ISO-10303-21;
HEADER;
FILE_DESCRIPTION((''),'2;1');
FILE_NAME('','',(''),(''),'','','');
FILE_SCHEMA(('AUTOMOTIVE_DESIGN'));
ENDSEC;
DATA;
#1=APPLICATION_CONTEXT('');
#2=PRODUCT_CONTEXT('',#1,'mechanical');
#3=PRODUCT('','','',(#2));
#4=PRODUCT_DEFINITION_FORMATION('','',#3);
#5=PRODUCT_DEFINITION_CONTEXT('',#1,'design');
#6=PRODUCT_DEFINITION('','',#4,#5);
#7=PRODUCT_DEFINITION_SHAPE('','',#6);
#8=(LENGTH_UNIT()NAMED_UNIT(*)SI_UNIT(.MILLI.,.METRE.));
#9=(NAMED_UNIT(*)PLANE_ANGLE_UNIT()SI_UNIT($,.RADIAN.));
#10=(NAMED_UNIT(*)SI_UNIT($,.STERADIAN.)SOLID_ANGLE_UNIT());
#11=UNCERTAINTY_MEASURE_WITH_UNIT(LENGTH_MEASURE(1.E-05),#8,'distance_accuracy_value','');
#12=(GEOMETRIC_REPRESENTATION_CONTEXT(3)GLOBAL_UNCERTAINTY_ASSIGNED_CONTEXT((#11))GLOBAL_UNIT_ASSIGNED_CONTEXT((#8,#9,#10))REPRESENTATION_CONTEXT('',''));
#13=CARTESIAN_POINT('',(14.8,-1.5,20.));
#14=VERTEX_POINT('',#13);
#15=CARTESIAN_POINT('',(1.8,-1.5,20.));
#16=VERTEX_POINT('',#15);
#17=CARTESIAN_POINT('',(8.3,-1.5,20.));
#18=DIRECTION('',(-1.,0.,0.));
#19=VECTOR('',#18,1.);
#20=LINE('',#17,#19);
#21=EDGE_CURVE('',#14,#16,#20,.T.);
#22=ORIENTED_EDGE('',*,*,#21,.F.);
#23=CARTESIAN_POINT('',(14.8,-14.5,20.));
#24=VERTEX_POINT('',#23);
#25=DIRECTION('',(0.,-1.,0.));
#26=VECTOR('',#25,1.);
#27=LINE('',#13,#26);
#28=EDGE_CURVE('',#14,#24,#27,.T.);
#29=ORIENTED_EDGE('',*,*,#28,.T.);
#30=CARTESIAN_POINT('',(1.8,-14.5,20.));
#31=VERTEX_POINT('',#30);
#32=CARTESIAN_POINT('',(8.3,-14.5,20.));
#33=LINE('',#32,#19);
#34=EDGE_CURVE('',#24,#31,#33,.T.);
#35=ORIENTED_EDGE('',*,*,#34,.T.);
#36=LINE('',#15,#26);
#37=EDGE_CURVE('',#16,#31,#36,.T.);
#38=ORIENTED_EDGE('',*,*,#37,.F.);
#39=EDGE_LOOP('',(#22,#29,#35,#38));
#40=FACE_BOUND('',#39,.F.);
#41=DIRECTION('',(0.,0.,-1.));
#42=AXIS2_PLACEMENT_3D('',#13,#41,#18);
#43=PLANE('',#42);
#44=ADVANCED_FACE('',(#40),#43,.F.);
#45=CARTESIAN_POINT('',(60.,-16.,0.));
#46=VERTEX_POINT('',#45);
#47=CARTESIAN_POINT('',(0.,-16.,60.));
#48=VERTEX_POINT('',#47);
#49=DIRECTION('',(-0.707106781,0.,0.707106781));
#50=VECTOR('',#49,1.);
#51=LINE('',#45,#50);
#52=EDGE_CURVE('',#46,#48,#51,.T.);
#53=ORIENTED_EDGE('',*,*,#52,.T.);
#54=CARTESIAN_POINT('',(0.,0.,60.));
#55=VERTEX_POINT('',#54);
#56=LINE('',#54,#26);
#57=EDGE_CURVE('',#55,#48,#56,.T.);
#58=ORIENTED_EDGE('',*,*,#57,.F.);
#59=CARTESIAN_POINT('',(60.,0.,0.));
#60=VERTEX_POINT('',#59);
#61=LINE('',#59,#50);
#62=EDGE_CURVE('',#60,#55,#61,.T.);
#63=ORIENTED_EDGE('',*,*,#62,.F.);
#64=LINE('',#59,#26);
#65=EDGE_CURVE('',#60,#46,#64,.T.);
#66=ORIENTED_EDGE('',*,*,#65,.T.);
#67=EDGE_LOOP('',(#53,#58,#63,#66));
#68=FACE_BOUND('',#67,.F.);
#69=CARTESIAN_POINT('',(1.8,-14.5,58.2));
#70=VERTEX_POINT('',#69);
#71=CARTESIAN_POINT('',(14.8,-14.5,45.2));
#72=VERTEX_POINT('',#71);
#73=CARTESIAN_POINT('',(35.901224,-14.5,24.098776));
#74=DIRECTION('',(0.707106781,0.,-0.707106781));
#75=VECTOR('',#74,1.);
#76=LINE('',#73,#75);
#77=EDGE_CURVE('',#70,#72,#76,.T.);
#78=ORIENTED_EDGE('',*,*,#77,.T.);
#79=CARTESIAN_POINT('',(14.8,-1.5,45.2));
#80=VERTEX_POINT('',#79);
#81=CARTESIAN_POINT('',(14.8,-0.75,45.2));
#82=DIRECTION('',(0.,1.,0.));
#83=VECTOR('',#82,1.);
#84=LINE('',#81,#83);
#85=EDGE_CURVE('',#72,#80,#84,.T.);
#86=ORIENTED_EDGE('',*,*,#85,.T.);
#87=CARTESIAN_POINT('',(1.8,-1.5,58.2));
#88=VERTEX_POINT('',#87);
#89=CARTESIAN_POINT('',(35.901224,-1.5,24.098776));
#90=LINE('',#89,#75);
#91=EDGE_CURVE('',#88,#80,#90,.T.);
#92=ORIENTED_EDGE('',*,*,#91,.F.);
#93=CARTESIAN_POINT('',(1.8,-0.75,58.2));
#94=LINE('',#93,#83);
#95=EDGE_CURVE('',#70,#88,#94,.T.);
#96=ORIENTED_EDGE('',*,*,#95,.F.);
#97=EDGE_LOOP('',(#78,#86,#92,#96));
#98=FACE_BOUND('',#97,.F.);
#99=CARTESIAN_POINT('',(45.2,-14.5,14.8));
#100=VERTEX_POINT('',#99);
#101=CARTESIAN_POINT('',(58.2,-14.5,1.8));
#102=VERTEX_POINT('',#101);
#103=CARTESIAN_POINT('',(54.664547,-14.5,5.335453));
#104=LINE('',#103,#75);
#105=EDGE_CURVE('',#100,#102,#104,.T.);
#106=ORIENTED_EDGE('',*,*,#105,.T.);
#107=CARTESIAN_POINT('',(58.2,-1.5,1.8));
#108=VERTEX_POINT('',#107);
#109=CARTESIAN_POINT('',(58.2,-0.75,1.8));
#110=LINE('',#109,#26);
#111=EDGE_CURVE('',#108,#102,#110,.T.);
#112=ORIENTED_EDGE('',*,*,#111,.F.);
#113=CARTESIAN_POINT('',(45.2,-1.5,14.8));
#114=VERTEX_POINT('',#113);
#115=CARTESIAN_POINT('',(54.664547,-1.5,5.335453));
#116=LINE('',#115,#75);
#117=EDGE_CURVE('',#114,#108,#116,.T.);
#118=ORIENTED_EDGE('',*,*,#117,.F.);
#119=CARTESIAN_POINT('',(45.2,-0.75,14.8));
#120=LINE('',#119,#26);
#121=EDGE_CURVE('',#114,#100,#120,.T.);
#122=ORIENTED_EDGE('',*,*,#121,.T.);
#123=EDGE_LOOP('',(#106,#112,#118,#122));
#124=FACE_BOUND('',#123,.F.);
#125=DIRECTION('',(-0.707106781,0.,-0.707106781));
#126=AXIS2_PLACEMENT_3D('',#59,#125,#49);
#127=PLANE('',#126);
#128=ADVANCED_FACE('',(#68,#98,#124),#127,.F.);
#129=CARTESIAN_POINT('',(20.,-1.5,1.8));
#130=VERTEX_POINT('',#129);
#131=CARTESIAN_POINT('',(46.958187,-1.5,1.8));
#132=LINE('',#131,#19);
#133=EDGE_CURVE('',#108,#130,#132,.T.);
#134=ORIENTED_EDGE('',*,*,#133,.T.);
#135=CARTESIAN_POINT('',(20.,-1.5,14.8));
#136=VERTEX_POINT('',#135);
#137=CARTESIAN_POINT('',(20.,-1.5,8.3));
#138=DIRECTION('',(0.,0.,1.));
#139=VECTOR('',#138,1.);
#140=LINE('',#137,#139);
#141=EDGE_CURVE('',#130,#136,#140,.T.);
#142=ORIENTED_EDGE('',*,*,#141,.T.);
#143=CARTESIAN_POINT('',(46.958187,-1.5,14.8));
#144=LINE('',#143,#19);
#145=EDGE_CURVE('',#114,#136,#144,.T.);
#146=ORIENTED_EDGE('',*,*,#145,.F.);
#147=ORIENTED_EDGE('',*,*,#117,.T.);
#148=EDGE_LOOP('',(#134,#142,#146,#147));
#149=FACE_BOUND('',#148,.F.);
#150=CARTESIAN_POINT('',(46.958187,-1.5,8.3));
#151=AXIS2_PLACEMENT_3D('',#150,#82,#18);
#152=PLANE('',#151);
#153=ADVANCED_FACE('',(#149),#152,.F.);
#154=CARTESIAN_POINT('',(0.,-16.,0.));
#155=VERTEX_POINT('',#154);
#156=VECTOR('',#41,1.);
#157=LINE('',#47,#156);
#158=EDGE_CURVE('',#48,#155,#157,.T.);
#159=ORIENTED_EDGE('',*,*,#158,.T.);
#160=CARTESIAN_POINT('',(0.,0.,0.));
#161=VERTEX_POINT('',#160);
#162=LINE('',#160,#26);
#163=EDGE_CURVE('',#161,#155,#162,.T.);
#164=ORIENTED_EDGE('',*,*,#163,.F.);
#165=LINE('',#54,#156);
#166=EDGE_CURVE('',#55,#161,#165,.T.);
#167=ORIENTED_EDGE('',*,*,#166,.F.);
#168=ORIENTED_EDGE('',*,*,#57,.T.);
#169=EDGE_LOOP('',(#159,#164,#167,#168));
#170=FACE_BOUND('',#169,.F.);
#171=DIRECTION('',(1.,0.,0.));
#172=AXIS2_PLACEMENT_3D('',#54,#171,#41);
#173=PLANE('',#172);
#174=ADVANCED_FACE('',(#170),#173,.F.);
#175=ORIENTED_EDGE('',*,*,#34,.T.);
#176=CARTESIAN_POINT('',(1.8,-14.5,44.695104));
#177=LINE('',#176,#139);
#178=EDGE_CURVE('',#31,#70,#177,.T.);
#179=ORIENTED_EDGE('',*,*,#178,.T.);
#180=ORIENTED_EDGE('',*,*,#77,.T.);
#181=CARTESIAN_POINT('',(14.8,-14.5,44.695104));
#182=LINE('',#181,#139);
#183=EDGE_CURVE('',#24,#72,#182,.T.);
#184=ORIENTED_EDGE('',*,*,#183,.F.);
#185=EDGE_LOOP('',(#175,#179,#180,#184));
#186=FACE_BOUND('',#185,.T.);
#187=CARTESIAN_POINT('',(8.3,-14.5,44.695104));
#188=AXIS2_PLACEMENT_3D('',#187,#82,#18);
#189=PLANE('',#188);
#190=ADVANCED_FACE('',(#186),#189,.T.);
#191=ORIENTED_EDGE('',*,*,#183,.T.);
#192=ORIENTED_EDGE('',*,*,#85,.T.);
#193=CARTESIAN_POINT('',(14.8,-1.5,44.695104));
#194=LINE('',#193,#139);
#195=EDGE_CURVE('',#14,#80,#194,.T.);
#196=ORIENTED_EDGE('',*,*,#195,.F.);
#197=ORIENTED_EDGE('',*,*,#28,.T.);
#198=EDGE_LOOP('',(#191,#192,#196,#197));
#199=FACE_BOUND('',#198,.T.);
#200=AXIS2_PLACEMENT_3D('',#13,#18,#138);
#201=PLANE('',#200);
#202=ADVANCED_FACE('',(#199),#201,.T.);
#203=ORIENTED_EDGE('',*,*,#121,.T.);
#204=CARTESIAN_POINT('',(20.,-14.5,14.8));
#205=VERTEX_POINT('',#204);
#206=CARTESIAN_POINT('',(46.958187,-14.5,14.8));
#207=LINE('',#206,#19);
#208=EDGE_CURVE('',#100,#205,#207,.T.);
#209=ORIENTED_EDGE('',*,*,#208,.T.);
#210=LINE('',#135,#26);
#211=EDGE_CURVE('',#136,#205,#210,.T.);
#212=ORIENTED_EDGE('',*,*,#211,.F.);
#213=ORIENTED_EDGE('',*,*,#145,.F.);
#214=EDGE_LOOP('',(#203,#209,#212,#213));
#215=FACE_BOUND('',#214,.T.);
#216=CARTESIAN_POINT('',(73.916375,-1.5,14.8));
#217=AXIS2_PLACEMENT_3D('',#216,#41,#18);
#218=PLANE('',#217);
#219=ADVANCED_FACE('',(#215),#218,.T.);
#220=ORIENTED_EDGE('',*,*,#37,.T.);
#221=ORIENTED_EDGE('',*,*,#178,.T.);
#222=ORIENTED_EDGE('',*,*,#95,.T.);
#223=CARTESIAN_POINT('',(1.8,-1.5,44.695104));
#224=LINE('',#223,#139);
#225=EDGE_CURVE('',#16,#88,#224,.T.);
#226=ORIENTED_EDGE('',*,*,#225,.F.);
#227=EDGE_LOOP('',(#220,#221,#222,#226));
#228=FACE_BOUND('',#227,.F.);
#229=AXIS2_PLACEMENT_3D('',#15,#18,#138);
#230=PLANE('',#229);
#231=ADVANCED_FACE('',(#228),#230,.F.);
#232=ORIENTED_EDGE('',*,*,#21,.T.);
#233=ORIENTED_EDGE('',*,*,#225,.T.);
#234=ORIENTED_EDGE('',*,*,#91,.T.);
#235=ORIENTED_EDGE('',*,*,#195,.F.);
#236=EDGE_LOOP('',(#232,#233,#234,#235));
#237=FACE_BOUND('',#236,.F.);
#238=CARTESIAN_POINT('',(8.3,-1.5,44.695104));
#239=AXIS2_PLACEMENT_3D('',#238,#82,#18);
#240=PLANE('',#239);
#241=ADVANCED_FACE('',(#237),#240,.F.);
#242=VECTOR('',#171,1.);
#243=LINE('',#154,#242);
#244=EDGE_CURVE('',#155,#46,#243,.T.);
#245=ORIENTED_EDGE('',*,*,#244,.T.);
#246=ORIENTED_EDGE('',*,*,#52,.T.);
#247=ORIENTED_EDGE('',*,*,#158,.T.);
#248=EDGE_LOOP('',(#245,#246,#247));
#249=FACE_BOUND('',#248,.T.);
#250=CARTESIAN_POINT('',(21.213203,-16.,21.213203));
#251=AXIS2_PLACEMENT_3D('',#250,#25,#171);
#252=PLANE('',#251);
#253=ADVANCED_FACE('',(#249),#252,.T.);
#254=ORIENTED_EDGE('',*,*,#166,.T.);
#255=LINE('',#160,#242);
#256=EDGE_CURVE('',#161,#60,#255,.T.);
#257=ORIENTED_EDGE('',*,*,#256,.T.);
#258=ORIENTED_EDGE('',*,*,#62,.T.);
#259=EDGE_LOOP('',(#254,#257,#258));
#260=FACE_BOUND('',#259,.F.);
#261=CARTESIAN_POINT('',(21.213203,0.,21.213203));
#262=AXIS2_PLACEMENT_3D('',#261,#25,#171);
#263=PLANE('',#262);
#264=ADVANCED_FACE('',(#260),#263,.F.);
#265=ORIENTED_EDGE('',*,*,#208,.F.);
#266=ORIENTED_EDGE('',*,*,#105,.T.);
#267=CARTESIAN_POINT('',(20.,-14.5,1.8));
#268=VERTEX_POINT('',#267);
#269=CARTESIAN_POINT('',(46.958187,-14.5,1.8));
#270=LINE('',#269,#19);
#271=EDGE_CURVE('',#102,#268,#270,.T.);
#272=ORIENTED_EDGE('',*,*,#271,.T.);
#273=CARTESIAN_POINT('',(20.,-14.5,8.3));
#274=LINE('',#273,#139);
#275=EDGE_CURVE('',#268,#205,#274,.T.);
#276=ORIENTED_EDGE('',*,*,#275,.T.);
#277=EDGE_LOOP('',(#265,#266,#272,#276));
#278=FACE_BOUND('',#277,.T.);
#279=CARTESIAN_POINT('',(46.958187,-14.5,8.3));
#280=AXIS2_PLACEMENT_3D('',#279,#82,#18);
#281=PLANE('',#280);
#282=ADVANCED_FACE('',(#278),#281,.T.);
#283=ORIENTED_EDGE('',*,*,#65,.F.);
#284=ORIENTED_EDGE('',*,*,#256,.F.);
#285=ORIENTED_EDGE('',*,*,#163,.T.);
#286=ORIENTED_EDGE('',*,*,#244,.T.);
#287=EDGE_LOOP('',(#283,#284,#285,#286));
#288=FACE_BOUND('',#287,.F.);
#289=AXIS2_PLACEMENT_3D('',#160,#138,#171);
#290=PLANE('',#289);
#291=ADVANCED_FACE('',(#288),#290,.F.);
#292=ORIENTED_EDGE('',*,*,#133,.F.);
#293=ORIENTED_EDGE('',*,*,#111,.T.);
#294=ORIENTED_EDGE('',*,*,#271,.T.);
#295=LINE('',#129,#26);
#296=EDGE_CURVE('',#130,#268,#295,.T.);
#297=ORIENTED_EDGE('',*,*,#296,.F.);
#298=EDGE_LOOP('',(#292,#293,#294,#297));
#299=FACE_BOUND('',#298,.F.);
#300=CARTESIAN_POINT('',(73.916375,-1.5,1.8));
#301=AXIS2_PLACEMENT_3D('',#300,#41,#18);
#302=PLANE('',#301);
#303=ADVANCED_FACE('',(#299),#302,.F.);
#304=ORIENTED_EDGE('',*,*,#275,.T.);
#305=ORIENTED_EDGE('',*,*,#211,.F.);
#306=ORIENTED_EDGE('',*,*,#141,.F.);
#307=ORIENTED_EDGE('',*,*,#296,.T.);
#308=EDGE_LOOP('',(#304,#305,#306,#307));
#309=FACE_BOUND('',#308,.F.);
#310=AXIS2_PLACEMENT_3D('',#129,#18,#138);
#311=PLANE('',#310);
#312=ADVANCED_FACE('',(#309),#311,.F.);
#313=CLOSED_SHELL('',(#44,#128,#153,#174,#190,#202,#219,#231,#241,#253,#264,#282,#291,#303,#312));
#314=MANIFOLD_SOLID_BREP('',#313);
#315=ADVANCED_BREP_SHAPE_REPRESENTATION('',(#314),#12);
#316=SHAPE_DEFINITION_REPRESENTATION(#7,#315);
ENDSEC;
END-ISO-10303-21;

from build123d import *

# Parameters (mm, degrees)
F1_DEPTH = 16
F3_START = -1.5
F2_W     = 13
F2_H     = 49.3902075756
F2_W_2   = 53.9163745879
F2_H_2   = 13
F3_DEPTH = 13


with BuildPart() as f1:
    # F0 (on Front) → F1 (new body)
    with BuildSketch(Plane.XZ):
        Polygon((0, 60), (0, 0), (60, 0), align=None)
    extrude(amount=F1_DEPTH)

    # F2 (on face) → F3 (cut)
    with BuildSketch(Plane(origin=(0, 0, 0), x_dir=(-1, 0, 0), z_dir=(0, 1, 0)).offset(F3_START)):
        with Locations((-8.3, 44.6951037878)):
            Rectangle(F2_W, F2_H)
        with Locations((-46.958187294, 8.3)):
            Rectangle(F2_W_2, F2_H_2)
    extrude(amount=-F3_DEPTH, mode=Mode.SUBTRACT)


solid = f1.part
